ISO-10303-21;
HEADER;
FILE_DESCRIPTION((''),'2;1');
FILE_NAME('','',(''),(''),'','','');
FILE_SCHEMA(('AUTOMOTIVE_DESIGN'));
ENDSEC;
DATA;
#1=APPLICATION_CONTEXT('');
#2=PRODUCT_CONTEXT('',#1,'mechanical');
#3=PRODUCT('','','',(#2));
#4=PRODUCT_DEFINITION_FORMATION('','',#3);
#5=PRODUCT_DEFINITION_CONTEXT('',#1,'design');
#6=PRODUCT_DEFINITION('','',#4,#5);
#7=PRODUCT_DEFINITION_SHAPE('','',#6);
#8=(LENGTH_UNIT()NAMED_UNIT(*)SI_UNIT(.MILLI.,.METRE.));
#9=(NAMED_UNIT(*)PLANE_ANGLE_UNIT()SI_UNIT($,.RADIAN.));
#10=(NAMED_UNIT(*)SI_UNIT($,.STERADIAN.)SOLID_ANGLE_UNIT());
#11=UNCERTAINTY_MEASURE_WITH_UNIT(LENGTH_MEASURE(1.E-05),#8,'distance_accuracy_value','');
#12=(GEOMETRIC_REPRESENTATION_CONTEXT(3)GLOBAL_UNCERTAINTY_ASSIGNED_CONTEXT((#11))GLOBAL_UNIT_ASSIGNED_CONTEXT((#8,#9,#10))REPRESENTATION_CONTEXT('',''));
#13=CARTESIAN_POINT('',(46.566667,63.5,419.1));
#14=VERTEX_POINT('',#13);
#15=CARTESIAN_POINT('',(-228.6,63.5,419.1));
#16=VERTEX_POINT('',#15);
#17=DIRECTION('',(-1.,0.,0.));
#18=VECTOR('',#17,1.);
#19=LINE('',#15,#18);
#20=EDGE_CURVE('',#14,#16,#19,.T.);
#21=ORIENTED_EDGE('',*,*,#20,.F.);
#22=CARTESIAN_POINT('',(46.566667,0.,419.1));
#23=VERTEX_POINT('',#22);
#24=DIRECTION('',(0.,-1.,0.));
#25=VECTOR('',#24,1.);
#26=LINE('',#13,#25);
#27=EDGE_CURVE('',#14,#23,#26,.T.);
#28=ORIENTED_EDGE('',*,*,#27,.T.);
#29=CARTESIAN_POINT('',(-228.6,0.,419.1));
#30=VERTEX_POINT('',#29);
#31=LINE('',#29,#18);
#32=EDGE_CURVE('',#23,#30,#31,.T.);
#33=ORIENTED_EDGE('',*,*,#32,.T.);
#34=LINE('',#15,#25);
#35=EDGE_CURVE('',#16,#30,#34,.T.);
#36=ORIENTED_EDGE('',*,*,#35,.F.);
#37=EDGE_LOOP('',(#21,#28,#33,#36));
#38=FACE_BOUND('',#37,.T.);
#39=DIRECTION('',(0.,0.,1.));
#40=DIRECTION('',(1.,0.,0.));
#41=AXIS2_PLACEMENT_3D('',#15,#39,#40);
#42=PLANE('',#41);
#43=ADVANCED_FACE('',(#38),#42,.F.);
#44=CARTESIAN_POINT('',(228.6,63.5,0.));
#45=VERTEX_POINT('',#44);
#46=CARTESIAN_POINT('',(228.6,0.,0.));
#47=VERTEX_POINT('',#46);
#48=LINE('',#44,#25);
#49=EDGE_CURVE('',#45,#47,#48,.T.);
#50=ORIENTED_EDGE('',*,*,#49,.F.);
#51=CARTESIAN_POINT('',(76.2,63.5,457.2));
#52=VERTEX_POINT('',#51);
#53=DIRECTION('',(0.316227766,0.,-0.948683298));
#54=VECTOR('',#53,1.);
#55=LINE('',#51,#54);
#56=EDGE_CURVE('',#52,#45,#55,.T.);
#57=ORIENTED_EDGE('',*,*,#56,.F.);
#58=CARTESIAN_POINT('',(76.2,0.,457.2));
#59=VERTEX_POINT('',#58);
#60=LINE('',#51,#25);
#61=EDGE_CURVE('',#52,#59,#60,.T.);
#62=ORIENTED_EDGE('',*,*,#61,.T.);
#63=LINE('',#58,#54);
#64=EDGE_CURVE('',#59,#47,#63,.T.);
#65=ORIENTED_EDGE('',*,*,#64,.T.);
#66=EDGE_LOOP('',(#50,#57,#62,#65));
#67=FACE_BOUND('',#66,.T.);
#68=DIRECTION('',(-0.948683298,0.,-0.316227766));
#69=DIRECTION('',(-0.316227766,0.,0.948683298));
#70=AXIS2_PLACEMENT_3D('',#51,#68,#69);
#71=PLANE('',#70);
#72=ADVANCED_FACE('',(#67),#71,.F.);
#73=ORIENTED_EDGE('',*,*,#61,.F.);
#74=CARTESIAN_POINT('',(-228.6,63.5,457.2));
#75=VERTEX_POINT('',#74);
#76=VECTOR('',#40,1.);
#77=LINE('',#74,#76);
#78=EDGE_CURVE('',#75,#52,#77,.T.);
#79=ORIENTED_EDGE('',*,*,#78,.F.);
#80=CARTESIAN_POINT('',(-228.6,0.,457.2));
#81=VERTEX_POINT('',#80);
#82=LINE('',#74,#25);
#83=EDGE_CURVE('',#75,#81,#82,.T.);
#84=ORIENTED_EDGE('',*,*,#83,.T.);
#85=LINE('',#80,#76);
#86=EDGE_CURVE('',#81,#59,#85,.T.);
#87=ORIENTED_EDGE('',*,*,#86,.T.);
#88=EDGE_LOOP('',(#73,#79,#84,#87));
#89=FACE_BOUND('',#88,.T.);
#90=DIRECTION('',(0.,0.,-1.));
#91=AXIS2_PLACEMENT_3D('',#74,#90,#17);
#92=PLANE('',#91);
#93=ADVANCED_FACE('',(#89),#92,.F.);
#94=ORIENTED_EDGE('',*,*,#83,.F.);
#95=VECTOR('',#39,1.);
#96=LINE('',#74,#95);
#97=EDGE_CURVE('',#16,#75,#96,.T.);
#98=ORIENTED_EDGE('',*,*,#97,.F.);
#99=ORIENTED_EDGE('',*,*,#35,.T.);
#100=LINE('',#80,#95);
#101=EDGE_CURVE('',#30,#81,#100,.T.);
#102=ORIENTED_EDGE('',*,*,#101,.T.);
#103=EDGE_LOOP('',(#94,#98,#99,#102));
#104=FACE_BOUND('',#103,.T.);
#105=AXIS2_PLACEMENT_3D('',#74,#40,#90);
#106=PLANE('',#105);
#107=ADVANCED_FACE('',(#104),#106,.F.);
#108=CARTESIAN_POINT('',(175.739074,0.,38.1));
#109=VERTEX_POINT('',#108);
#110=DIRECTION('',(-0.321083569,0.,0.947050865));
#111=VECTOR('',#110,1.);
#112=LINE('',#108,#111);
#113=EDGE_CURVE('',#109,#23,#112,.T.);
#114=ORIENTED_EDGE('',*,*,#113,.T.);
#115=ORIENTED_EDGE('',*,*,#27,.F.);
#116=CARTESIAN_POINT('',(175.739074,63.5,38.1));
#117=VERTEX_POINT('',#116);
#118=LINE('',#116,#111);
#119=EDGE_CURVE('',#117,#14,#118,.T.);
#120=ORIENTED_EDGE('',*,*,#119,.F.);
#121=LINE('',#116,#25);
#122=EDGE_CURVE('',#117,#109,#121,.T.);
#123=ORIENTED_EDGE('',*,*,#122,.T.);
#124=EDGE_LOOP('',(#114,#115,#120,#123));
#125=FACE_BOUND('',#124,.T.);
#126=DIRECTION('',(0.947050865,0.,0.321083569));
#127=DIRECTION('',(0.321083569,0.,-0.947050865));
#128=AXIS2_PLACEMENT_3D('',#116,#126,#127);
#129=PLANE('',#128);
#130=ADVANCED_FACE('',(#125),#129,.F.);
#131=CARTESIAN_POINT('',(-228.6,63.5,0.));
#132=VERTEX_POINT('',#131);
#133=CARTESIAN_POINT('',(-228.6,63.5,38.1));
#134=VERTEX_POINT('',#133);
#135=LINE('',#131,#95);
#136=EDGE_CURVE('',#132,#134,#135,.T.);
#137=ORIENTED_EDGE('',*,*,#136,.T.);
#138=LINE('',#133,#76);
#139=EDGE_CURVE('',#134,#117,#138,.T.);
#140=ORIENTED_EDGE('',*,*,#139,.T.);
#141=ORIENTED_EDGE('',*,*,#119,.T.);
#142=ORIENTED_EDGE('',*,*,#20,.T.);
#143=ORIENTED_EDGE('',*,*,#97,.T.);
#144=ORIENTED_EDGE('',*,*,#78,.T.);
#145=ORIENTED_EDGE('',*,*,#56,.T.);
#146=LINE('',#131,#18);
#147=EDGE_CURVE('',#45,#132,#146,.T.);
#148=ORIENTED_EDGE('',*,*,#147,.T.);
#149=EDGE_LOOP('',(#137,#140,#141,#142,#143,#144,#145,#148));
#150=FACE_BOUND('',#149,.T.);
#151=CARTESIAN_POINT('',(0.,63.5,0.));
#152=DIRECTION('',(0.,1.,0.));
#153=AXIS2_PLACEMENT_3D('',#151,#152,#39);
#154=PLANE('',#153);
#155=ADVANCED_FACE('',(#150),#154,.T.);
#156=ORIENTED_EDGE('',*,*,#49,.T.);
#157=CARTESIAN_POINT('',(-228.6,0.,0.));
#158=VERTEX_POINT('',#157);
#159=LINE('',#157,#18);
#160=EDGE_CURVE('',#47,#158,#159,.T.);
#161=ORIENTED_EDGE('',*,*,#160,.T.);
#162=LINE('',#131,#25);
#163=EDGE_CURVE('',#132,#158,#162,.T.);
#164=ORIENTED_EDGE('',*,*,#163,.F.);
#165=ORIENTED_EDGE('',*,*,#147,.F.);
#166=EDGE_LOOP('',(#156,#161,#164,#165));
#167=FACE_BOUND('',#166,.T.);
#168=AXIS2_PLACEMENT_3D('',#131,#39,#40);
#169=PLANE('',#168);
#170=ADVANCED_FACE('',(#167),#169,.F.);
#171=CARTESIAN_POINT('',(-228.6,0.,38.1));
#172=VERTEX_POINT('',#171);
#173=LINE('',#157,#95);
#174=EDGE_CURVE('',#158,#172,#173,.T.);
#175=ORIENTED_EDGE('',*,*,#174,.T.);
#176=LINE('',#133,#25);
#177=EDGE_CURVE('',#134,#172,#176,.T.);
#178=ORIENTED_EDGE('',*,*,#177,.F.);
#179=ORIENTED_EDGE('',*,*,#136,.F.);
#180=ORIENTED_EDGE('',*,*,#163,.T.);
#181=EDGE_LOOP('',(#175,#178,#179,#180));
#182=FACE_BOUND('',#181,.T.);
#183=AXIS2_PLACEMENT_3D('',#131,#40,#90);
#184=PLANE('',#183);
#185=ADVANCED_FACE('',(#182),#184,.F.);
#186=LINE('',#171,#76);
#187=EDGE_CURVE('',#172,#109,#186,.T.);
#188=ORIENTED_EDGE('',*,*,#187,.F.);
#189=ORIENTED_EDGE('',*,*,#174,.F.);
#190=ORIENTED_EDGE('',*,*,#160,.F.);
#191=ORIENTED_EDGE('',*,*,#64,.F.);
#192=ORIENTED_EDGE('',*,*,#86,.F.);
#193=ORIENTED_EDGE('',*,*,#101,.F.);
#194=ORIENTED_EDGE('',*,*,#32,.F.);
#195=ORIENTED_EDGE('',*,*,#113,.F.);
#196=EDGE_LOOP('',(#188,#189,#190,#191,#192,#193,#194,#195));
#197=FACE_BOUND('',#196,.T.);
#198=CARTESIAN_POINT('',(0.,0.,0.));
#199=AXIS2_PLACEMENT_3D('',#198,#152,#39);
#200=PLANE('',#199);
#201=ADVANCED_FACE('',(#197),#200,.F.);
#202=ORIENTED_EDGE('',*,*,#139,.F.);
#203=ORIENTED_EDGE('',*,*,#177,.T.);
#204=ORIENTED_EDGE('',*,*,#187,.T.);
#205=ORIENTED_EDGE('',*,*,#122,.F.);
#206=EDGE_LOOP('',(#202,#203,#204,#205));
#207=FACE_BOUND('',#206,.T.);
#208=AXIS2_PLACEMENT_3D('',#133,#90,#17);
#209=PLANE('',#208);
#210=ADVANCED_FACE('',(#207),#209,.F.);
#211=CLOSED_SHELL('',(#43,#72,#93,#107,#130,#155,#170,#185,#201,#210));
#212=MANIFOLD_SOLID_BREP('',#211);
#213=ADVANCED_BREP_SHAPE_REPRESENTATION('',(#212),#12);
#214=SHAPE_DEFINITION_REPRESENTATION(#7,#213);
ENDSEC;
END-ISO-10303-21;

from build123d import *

# Parameters (mm, degrees)
BOSS_EXTRUDE1_DEPTH = 63.5


with BuildPart() as part:
    # Sketch1 → Boss-Extrude1 (new body)
    with BuildSketch(Plane(origin=(0, 0, 0), x_dir=(1, 0, 0), z_dir=(0, 1, 0))):
        Polygon((-228.6, 0), (228.6, 0), (76.2, -457.2), (-228.6, -457.2), (-228.6, -419.1), (46.566666667, -419.1), (175.739073716, -38.1), (-228.6, -38.1), align=None)
    extrude(amount=BOSS_EXTRUDE1_DEPTH)


solid = part.part
